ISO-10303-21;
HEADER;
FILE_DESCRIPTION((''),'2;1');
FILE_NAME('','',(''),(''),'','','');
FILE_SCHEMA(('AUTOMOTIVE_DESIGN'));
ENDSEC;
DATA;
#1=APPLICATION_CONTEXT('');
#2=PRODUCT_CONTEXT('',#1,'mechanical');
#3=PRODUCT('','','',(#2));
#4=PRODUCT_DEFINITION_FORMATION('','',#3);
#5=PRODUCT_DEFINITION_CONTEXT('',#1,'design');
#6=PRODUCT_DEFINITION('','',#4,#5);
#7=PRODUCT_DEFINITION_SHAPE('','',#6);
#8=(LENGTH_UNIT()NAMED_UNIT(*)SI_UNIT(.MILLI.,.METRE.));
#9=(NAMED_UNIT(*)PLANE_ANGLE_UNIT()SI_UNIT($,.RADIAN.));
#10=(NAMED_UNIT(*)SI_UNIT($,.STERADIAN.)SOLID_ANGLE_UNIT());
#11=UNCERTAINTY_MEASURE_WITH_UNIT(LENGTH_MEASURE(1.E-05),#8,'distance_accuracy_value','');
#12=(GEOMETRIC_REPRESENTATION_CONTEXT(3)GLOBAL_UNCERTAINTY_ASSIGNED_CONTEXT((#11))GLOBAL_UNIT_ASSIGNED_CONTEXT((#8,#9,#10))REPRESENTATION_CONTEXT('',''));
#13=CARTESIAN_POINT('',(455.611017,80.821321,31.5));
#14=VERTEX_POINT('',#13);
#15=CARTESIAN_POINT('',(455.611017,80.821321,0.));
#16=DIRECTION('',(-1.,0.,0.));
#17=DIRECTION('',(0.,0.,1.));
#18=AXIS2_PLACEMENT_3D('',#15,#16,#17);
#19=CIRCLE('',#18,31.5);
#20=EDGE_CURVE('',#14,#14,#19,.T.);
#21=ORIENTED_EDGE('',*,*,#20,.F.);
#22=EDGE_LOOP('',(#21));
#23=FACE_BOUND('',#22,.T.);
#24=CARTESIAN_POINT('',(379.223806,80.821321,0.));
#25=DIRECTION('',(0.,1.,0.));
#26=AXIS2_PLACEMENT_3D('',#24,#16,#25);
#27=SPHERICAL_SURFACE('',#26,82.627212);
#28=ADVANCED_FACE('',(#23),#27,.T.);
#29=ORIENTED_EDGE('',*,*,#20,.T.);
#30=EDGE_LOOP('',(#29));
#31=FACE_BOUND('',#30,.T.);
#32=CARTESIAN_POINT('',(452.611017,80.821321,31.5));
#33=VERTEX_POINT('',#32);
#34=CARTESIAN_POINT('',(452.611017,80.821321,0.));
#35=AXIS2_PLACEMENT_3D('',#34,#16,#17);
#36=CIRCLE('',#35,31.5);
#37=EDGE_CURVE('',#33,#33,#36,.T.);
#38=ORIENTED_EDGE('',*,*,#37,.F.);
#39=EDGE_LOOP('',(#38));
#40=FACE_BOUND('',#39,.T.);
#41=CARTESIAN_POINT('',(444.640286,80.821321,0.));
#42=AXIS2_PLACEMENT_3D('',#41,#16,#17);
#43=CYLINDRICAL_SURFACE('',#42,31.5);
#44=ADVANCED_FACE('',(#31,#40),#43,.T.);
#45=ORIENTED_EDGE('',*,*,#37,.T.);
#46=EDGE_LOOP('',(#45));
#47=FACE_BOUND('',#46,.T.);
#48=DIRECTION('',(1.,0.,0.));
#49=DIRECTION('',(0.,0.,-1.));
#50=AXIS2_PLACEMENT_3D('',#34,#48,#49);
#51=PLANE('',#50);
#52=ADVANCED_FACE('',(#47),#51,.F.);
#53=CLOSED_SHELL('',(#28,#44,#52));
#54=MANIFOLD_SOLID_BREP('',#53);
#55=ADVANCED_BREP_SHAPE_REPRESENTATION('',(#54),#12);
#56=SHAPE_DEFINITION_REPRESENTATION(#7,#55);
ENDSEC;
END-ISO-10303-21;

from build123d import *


with BuildPart() as part:
    # 草图1 → 旋转1 (revolve)
    with BuildSketch(Plane.XY):
        with BuildLine():
            Line((452.611017203, 80.821321086), (452.611017203, 112.321321086))
            Line((452.611017203, 112.321321086), (455.611017203, 112.321321086))
            ThreePointArc((455.611017203, 112.321321086), (460.276006046, 96.877376019), (461.851017203, 80.821321086))
            Line((461.851017203, 80.821321086), (452.611017203, 80.821321086))
        make_face()
    revolve(axis=Axis((444.640285536, 80.821321086, 0), (1, 0, 0)))


solid = part.part
